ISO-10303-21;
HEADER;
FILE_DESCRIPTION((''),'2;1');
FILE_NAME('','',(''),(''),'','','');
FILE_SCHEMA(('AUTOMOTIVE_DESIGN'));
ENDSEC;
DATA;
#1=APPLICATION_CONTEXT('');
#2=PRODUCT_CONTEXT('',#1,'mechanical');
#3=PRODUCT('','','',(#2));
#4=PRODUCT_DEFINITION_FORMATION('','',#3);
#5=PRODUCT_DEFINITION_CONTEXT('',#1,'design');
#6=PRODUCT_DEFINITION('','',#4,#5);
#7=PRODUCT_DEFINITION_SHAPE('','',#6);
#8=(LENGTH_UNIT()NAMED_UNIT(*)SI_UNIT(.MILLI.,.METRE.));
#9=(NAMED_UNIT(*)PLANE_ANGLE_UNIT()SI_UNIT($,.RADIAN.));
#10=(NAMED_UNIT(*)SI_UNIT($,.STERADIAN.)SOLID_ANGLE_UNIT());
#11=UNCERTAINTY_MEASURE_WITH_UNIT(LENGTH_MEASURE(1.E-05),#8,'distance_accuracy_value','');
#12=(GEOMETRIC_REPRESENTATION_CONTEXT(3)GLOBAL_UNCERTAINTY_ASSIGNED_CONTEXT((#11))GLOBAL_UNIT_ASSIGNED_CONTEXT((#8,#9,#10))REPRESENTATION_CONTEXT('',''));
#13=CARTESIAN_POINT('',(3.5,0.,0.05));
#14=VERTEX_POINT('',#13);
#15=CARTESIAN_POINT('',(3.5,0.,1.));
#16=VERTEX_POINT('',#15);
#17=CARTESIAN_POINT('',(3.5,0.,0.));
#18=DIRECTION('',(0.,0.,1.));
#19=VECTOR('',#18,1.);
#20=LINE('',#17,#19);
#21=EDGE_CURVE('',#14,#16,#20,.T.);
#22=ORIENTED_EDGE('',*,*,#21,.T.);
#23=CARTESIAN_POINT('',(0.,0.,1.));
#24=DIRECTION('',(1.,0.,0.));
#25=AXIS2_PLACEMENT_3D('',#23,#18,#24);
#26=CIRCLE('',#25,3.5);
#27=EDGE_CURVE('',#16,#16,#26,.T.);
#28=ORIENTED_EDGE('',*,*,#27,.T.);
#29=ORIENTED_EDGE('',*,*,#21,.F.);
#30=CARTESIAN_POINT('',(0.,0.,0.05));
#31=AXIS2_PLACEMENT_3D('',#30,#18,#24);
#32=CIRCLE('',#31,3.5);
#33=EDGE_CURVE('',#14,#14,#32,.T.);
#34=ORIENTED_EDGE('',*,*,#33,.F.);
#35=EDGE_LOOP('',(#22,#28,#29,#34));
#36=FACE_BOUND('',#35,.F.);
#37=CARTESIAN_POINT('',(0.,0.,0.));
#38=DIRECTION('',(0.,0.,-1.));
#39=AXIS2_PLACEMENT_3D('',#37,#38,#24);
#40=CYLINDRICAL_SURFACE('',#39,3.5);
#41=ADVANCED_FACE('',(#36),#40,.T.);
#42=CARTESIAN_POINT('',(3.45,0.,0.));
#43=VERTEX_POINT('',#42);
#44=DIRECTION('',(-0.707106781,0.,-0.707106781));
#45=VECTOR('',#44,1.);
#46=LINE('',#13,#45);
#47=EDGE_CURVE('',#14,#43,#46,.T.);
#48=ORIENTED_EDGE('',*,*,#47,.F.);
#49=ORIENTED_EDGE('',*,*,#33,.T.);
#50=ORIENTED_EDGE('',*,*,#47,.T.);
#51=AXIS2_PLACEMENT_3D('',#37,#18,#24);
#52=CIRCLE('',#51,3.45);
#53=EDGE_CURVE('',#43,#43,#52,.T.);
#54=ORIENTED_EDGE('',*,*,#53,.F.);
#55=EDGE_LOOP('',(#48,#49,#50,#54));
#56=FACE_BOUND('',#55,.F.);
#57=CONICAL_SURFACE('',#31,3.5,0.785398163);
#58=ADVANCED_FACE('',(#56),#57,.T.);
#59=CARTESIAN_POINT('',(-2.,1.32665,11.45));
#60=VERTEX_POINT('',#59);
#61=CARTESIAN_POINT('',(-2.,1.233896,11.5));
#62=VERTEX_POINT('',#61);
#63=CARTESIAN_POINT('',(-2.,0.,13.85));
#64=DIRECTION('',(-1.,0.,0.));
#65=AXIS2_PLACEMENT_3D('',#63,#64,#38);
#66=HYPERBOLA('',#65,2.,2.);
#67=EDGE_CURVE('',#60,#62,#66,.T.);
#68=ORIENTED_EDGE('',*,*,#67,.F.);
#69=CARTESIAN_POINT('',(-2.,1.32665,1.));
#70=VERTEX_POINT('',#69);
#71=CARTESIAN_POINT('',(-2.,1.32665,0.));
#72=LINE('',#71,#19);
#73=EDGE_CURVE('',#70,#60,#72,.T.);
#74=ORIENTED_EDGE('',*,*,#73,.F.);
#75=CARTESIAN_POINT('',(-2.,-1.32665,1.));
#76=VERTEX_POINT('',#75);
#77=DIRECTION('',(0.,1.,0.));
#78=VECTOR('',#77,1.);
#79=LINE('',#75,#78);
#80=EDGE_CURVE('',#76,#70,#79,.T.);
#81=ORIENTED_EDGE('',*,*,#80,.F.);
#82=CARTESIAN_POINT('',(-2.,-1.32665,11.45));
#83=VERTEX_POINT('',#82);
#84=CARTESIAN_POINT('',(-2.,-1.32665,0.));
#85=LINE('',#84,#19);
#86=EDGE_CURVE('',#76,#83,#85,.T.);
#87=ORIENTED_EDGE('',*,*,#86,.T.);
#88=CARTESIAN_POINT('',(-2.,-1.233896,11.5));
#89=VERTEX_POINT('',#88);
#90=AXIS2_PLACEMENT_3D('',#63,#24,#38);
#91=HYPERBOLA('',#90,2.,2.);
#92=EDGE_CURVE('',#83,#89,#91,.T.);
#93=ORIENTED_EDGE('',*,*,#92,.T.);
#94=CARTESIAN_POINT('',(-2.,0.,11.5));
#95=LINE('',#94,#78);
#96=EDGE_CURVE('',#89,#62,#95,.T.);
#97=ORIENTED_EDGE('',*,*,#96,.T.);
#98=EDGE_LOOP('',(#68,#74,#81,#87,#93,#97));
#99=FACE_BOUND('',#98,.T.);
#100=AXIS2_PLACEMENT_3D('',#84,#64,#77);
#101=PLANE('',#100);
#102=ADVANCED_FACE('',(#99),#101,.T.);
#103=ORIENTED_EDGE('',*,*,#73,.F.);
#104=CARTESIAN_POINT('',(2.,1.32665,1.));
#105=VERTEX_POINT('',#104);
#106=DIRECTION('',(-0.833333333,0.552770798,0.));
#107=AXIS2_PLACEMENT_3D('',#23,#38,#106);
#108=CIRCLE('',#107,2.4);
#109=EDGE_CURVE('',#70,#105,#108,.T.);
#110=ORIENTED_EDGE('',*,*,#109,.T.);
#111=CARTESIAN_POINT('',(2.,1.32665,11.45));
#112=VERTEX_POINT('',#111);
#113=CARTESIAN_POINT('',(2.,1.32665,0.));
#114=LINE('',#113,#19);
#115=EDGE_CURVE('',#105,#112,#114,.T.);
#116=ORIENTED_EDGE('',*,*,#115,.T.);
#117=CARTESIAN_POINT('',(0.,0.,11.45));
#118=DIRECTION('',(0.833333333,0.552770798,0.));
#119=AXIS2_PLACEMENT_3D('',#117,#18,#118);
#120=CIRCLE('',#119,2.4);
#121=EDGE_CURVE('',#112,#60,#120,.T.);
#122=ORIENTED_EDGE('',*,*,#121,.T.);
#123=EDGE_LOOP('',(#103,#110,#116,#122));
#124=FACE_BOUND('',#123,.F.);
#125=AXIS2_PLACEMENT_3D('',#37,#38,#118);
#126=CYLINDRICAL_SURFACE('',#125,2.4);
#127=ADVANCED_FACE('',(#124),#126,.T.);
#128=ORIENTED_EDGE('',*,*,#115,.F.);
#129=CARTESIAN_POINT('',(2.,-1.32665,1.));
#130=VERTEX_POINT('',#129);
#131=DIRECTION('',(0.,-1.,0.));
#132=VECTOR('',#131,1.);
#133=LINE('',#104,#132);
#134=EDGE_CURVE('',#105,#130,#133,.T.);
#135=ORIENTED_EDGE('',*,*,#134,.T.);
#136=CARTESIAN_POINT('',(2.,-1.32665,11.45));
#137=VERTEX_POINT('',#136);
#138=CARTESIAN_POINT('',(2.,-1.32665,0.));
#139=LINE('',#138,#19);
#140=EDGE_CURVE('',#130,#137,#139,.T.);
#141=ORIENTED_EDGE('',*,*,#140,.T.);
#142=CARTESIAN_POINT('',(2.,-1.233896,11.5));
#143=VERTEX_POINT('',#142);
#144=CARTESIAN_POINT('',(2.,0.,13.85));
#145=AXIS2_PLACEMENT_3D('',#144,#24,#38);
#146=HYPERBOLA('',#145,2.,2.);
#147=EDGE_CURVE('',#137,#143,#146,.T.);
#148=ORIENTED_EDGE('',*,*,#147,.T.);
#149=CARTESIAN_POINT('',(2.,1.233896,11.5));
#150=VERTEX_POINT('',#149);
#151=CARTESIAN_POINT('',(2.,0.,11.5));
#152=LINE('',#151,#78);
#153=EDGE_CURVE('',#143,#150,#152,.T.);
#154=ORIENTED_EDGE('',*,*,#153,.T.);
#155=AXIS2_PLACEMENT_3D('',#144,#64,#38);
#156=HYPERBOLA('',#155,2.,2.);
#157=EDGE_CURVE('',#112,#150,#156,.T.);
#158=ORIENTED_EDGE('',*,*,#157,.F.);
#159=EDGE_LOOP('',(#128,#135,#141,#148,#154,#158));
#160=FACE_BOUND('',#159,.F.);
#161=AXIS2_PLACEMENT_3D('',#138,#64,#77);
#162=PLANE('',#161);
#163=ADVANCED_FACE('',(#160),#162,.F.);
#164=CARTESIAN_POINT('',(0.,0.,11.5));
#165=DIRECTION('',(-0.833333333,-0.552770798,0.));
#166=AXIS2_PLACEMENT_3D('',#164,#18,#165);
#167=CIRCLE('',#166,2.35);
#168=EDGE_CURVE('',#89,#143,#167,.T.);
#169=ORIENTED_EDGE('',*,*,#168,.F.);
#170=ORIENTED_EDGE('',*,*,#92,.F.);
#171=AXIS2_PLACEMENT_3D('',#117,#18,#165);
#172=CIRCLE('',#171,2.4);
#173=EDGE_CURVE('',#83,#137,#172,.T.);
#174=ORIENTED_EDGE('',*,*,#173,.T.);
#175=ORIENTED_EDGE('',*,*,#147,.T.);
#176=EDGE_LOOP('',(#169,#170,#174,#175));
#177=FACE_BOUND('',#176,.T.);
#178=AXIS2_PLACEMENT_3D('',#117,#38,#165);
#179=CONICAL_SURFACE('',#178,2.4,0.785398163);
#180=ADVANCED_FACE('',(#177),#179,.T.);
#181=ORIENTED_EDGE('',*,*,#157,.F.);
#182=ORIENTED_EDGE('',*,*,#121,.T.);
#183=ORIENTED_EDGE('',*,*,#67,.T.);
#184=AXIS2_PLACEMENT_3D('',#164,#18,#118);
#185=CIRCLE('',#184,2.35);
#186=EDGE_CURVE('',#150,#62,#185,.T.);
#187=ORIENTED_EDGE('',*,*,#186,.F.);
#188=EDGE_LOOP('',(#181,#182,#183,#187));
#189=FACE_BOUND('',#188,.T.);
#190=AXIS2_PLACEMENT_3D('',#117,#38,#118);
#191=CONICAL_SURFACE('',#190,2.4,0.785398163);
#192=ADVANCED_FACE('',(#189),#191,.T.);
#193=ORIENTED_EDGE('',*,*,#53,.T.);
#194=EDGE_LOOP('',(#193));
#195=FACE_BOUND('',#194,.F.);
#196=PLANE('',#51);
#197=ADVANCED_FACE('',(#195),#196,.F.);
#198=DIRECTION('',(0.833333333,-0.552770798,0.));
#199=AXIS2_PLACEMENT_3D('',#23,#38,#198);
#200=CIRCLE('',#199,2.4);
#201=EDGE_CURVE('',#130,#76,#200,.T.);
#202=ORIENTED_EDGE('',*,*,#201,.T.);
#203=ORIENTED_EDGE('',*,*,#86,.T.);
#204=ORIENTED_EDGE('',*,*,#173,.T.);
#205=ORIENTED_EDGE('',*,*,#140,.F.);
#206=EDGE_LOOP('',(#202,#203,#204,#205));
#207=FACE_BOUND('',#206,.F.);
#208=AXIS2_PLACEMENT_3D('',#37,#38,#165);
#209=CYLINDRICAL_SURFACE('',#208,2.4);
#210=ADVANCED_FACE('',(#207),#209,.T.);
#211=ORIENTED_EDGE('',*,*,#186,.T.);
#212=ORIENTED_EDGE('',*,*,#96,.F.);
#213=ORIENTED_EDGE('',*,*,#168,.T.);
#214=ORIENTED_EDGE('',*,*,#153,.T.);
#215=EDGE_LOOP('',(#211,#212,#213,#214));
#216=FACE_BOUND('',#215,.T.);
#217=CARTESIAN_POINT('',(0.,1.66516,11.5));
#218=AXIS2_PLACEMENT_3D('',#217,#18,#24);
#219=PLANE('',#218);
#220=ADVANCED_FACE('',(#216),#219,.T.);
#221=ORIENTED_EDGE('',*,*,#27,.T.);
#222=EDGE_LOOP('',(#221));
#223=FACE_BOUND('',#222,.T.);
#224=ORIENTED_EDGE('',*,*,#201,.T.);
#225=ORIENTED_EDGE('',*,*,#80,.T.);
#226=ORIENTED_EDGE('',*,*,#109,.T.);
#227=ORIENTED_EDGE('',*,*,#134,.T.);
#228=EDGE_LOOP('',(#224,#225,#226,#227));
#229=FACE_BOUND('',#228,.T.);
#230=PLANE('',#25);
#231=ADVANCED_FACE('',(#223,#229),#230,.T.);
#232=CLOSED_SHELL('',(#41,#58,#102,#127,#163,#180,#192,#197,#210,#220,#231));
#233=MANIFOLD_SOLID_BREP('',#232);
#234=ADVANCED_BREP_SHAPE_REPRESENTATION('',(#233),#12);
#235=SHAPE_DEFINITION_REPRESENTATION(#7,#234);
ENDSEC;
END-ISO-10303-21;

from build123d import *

# Parameters (mm, degrees)
F0_W     = 4
F0_H     = 2.6532998323
F1_DEPTH = 11.5
F0_R     = 3.5
F2_DEPTH = 1
F3_SIZE  = 0.05
F4_SIZE  = 0.05


with BuildPart() as f1:
    # F0 (on Top) → F1 (new body)
    with BuildSketch(Plane.XY):
        with BuildLine():
            Line((-2, 1.3266499161), (2, 1.3266499161))
            ThreePointArc((2, 1.3266499161), (0, 2.4), (-2, 1.3266499161))
        make_face()
        Rectangle(F0_W, F0_H)
        with BuildLine():
            ThreePointArc((-2, -1.3266499161), (0, -2.4), (2, -1.3266499161))
            Line((2, -1.3266499161), (-2, -1.3266499161))
        make_face()
    extrude(amount=F1_DEPTH)

    # F0 (on Top) → F2 (join)
    with BuildSketch(Plane.XY):
        Circle(F0_R)
        with BuildLine():
            ThreePointArc((2, 1.3266499161), (2.2978250586, 0.692820323), (2.4, 0))
            ThreePointArc((2.4, 0), (2.2978250586, -0.692820323), (2, -1.3266499161))
            ThreePointArc((2, -1.3266499161), (0, -2.4), (-2, -1.3266499161))
            ThreePointArc((-2, -1.3266499161), (-2.4, 0), (-2, 1.3266499161))
            ThreePointArc((-2, 1.3266499161), (0, 2.4), (2, 1.3266499161))
        make_face(mode=Mode.SUBTRACT)
        with BuildLine():
            ThreePointArc((2, -1.3266499161), (2.2978250586, -0.692820323), (2.4, 0))
            ThreePointArc((2.4, 0), (2.2978250586, 0.692820323), (2, 1.3266499161))
            Line((2, 1.3266499161), (2, -1.3266499161))
        make_face()
        with BuildLine():
            Line((-2, -1.3266499161), (-2, 1.3266499161))
            ThreePointArc((-2, 1.3266499161), (-2.4, 0), (-2, -1.3266499161))
        make_face()
    extrude(amount=F2_DEPTH)

    # F3
    f3_edges = [f1.edges().sort_by_distance(p)[0] for p in [
        (0, -2.4, 11.5),
        (0, 2.4, 11.5),
    ]]
    chamfer(f3_edges, length=F3_SIZE)

    # F4
    f4_edges = [f1.edges().sort_by_distance(p)[0] for p in [
        (-3.5, 0, 0),
    ]]
    chamfer(f4_edges, length=F4_SIZE)


solid = f1.part
